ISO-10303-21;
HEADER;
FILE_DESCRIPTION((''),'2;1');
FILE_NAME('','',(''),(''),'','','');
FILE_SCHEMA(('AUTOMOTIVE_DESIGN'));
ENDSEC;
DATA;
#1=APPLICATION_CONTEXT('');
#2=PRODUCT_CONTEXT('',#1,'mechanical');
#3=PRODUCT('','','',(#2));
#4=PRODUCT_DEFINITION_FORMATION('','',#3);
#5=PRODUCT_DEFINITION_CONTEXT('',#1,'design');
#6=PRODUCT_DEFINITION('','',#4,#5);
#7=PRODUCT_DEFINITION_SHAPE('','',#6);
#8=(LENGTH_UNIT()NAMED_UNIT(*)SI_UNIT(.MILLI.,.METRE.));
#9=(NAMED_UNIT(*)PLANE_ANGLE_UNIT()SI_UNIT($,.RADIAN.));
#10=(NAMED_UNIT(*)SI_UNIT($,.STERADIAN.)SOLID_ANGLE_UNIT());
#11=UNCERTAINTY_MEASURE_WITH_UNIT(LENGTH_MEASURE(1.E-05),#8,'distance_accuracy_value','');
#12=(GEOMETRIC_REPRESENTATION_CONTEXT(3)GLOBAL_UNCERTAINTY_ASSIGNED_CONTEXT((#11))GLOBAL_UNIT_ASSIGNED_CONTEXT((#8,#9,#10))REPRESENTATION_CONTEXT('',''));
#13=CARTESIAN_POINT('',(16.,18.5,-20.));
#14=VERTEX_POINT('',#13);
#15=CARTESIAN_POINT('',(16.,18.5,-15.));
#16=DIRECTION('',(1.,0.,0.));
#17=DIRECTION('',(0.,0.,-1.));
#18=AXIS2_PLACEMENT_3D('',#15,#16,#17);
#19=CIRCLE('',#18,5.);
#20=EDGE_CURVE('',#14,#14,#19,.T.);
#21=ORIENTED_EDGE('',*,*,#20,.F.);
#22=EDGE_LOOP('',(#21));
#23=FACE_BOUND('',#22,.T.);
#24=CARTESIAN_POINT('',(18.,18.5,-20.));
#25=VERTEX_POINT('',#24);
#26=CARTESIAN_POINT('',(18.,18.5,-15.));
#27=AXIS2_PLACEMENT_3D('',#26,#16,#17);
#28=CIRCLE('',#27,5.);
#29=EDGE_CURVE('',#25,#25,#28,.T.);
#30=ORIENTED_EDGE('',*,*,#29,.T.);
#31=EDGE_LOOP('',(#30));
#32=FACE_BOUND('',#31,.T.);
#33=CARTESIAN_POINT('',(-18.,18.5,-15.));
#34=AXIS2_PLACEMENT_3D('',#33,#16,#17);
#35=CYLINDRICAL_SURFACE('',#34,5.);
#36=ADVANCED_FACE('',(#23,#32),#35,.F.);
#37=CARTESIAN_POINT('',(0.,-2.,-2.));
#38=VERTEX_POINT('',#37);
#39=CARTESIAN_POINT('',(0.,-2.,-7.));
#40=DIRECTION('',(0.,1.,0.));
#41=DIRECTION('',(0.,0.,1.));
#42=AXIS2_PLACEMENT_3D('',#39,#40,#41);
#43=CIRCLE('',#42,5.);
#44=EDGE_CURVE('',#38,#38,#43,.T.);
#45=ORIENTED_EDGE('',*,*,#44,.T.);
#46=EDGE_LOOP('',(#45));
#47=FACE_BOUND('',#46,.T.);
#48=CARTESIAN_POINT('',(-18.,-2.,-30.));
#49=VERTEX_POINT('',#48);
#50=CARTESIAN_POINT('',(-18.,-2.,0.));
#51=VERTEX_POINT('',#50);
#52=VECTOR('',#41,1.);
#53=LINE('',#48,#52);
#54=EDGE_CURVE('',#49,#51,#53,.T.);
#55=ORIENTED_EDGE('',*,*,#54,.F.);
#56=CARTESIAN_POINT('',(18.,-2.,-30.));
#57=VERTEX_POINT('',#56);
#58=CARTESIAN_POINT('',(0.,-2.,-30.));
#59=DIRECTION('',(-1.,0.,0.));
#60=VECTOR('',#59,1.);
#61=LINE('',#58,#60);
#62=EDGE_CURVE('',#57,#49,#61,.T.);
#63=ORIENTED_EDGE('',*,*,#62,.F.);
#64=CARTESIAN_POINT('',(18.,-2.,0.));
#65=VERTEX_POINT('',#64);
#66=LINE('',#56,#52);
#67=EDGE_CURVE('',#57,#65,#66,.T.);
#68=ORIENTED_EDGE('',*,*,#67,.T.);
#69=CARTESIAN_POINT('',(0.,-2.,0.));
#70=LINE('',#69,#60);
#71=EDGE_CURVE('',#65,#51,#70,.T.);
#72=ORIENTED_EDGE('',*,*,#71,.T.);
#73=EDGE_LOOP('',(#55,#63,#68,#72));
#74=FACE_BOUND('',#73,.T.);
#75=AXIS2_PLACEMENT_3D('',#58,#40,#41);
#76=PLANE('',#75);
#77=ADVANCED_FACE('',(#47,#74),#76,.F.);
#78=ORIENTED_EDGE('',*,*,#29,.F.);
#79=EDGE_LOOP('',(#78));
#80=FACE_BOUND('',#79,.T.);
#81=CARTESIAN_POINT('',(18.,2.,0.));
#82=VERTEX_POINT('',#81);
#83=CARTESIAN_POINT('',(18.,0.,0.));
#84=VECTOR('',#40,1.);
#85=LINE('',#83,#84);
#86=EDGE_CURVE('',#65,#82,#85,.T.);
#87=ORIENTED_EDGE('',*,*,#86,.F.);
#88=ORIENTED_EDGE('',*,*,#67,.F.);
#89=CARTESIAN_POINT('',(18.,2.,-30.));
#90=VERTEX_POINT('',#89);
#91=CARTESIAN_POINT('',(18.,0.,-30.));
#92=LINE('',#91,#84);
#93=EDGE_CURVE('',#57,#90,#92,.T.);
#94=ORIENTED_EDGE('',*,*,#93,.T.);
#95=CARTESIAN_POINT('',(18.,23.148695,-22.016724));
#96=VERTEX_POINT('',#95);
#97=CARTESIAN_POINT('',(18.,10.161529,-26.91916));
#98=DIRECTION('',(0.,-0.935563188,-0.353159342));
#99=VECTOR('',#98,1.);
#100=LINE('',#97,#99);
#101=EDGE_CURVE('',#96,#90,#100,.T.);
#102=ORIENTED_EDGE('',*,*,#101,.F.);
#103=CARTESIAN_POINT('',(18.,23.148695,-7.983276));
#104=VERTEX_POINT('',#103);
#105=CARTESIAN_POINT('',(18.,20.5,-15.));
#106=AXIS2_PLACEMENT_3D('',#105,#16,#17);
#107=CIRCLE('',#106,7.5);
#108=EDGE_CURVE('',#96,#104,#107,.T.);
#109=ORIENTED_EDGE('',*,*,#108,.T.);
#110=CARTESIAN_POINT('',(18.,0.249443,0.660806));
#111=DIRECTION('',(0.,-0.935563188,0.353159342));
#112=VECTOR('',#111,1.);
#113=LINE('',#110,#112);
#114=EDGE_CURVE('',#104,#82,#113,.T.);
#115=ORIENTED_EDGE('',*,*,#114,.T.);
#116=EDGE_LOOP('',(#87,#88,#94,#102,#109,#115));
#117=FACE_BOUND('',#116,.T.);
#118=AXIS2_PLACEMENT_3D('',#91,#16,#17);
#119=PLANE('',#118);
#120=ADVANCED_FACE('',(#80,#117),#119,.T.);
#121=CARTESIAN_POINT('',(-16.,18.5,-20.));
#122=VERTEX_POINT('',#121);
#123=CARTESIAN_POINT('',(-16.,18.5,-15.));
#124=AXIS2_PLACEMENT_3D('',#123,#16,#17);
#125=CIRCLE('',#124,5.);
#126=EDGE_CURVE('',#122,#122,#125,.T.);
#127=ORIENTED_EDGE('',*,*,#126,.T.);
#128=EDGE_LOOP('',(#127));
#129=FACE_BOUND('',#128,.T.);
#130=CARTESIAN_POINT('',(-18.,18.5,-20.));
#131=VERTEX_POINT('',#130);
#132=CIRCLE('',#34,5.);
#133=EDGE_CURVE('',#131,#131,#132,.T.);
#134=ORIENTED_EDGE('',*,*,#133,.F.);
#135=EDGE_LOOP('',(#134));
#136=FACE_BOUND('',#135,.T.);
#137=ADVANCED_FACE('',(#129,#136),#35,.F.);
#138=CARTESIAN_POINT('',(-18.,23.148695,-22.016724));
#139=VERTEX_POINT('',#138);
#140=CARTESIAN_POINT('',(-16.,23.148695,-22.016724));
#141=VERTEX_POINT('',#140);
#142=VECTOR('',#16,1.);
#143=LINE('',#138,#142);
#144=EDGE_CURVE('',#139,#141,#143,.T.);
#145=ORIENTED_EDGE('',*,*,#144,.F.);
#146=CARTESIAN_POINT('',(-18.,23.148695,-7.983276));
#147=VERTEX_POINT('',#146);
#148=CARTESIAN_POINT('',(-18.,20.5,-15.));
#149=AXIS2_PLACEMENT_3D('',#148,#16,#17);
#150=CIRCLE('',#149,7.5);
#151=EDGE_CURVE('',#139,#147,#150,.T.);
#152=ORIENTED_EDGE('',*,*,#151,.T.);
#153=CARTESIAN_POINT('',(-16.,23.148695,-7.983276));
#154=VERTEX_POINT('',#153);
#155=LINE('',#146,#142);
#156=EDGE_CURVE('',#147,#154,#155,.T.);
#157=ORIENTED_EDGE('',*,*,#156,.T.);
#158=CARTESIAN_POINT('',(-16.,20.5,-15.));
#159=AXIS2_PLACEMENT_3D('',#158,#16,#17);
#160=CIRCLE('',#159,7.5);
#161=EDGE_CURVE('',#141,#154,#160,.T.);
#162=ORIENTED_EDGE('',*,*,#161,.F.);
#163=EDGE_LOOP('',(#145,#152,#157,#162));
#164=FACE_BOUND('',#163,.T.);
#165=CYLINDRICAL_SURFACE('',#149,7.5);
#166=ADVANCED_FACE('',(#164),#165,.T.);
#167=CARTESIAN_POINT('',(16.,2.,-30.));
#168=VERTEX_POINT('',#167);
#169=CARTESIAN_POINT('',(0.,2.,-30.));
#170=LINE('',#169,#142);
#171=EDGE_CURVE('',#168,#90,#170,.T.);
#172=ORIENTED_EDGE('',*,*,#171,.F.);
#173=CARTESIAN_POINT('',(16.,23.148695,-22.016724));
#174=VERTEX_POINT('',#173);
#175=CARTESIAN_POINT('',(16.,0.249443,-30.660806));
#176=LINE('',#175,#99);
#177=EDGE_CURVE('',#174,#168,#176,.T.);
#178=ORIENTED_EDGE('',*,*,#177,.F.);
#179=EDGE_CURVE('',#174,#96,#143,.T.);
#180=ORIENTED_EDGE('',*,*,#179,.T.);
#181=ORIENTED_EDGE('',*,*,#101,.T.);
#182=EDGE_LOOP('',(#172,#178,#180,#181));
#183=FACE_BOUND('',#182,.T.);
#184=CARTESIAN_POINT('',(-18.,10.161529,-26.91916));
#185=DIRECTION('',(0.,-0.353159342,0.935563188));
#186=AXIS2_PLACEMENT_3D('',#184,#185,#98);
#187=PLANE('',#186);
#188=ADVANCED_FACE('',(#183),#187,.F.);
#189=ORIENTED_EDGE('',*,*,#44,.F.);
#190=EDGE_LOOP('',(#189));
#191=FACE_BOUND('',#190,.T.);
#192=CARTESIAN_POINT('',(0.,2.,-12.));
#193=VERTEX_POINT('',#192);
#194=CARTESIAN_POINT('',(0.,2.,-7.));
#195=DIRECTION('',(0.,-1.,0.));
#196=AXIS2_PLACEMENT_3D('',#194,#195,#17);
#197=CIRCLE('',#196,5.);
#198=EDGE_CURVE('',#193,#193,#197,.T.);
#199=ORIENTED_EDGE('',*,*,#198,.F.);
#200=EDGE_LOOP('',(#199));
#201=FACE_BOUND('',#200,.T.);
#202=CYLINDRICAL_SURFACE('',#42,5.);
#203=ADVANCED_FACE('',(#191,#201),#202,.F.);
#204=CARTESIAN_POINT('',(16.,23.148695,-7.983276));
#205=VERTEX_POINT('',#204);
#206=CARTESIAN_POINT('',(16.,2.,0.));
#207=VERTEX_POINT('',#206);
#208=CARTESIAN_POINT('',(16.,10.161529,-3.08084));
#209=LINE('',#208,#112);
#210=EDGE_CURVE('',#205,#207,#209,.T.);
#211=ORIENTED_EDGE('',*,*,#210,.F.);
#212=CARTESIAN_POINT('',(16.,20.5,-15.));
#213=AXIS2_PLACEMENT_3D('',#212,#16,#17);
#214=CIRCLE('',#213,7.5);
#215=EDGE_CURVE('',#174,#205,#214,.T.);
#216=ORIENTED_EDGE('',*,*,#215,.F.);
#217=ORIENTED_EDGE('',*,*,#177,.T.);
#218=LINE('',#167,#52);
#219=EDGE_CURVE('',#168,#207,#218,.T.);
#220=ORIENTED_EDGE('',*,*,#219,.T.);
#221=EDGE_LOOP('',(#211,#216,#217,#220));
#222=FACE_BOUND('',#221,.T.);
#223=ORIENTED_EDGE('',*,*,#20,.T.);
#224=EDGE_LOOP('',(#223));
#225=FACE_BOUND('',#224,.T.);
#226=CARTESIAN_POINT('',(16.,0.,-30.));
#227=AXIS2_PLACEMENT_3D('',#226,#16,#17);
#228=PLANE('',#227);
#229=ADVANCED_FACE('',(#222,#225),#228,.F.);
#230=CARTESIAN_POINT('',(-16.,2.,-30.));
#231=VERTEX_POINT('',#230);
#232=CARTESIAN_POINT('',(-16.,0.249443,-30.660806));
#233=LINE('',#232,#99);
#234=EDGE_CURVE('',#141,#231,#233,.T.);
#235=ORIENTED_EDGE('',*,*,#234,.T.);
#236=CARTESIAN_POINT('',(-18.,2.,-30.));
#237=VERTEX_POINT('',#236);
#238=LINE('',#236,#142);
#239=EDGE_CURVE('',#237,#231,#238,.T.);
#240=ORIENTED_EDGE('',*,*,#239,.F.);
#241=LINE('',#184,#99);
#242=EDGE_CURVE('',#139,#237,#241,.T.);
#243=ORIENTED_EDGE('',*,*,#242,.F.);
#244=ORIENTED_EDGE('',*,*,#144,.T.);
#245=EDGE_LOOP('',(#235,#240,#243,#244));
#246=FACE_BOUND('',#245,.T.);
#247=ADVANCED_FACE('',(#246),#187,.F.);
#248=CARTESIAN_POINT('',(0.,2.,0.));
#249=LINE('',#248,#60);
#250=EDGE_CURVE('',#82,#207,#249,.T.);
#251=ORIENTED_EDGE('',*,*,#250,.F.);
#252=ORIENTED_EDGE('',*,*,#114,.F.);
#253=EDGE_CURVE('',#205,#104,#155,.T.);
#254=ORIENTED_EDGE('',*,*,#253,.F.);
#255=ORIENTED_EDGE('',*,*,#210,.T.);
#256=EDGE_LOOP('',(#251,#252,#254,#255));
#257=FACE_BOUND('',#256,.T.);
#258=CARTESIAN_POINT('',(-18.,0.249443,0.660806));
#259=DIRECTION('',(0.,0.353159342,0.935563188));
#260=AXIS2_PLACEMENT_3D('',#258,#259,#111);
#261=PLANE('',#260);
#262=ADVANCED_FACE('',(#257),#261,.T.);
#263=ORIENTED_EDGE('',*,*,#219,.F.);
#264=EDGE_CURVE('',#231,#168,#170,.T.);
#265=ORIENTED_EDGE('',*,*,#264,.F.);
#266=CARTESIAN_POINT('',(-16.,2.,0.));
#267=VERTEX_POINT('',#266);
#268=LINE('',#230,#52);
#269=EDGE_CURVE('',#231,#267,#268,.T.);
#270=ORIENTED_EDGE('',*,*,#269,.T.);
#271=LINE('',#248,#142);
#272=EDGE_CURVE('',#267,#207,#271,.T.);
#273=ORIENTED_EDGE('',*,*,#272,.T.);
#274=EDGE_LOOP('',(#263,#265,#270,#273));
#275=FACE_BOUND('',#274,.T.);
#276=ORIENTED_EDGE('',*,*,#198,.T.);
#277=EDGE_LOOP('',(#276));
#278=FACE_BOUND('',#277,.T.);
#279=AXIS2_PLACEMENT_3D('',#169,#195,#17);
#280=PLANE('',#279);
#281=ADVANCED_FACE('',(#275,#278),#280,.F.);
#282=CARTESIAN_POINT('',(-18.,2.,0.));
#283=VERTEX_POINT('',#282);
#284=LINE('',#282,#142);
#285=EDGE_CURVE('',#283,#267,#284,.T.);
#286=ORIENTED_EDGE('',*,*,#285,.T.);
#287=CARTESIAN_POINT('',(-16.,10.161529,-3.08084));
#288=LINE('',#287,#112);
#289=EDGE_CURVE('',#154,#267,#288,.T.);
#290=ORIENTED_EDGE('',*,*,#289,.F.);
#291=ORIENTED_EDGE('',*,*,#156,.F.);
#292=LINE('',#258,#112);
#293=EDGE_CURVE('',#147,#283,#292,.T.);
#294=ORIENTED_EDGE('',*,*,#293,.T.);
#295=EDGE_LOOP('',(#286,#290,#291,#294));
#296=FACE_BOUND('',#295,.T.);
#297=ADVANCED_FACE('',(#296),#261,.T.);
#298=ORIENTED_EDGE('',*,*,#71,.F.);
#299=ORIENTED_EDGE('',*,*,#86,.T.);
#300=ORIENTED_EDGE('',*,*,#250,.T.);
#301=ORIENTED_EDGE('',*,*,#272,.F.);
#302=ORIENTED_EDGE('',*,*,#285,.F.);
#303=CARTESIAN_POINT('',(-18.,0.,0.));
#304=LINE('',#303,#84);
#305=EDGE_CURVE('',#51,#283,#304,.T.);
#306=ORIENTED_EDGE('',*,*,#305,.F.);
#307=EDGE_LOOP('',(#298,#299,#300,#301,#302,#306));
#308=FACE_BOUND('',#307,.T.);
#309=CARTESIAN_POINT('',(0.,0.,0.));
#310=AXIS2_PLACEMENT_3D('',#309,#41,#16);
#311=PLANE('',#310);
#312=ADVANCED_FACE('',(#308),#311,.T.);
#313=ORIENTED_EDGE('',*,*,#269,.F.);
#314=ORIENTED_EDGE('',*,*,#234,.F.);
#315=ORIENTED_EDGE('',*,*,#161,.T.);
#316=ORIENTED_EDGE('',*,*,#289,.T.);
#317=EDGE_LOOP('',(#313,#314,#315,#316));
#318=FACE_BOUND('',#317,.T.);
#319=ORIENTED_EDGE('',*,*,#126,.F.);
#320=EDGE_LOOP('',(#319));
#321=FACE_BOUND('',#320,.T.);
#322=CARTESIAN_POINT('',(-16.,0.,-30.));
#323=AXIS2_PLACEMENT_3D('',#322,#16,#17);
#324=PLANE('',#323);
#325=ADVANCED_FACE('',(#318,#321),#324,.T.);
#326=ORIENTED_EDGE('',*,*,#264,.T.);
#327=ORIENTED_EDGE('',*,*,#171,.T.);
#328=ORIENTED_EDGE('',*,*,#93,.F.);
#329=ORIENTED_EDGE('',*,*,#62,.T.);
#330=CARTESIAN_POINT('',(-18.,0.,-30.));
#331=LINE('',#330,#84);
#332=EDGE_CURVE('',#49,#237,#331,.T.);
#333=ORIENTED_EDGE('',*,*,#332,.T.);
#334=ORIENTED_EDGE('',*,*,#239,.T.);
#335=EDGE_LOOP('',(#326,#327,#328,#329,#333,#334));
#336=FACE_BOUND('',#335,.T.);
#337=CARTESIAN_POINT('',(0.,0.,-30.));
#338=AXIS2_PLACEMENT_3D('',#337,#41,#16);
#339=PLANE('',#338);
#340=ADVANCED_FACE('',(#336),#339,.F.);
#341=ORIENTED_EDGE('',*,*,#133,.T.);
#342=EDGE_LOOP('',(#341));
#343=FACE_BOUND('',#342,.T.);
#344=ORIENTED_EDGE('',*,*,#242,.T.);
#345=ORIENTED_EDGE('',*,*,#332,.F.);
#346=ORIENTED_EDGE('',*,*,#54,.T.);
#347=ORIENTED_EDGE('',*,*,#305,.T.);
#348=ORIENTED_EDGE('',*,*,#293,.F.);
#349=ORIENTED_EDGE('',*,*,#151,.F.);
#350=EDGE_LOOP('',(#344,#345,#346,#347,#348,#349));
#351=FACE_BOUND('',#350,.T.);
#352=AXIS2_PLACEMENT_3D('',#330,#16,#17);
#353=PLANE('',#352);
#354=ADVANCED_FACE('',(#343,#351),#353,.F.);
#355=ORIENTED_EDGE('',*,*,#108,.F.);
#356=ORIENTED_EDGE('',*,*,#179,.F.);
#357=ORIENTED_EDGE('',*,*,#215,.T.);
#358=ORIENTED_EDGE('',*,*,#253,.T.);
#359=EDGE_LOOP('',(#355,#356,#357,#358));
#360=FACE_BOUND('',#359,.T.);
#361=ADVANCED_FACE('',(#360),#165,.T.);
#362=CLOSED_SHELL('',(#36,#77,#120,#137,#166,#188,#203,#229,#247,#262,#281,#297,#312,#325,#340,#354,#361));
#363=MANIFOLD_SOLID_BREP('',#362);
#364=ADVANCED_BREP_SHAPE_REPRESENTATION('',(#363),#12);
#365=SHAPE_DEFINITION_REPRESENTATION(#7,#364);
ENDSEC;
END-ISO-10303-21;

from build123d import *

# Parameters (mm, degrees)
SKETCH1_W               = 32
SKETCH1_H               = 4
BOSS_EXTRUDE1_DEPTH     = 30
CUT_EXTRUDE1_DEPTH      = 45.810713005
CUT_EXTRUDE1_DEPTH_BACK = 45.810713005
SKETCH2_R               = 5
CUT_EXTRUDE2_DEPTH      = 45.810713005
CUT_EXTRUDE2_DEPTH_BACK = 45.810713005
SKETCH3_R               = 5


with BuildPart() as part:
    # Sketch1 → Boss-Extrude1 (new body)
    with BuildSketch(Plane.XY):
        Polygon((-18, -2), (-16, -2), (-16, 2), (-16, 28), (-18, 28), align=None)
        Rectangle(SKETCH1_W, SKETCH1_H)
        Polygon((16, 2), (16, -2), (18, -2), (18, 28), (16, 28), align=None)
    extrude(amount=-BOSS_EXTRUDE1_DEPTH)

    # Sketch2 → Cut-Extrude1 (cut, two sides: drawn at the far end of the back side and taken through both)
    with BuildSketch(Plane(origin=(0, 0, 0), x_dir=(0, 0, -1), z_dir=(1, 0, 0)).offset(-CUT_EXTRUDE1_DEPTH_BACK)):
        with BuildLine():
            ThreePointArc((22.016723912, 23.148695064), (15, 28), (7.983276088, 23.148695064))
            Line((7.983276088, 23.148695064), (0, 2))
            Line((0, 2), (-5, 2))
            Line((-5, 2), (-5, 38))
            Line((-5, 38), (35, 38))
            Line((35, 38), (35, 2))
            Line((35, 2), (30, 2))
            Line((30, 2), (22.016723912, 23.148695064))
        make_face()
        with Locations((15, 18.5)):
            Circle(SKETCH2_R)
    extrude(amount=CUT_EXTRUDE1_DEPTH + CUT_EXTRUDE1_DEPTH_BACK, mode=Mode.SUBTRACT)

    # Sketch3 → Cut-Extrude2 (cut, two sides: drawn at the far end of the back side and taken through both)
    with BuildSketch(Plane(origin=(0, 0, 0), x_dir=(1, 0, 0), z_dir=(0, 1, 0)).offset(-CUT_EXTRUDE2_DEPTH_BACK)):
        with Locations(Location((0, 7, 0), (0, 0, 270))):
            Circle(SKETCH3_R)
    extrude(amount=CUT_EXTRUDE2_DEPTH + CUT_EXTRUDE2_DEPTH_BACK, mode=Mode.SUBTRACT)


solid = part.part
